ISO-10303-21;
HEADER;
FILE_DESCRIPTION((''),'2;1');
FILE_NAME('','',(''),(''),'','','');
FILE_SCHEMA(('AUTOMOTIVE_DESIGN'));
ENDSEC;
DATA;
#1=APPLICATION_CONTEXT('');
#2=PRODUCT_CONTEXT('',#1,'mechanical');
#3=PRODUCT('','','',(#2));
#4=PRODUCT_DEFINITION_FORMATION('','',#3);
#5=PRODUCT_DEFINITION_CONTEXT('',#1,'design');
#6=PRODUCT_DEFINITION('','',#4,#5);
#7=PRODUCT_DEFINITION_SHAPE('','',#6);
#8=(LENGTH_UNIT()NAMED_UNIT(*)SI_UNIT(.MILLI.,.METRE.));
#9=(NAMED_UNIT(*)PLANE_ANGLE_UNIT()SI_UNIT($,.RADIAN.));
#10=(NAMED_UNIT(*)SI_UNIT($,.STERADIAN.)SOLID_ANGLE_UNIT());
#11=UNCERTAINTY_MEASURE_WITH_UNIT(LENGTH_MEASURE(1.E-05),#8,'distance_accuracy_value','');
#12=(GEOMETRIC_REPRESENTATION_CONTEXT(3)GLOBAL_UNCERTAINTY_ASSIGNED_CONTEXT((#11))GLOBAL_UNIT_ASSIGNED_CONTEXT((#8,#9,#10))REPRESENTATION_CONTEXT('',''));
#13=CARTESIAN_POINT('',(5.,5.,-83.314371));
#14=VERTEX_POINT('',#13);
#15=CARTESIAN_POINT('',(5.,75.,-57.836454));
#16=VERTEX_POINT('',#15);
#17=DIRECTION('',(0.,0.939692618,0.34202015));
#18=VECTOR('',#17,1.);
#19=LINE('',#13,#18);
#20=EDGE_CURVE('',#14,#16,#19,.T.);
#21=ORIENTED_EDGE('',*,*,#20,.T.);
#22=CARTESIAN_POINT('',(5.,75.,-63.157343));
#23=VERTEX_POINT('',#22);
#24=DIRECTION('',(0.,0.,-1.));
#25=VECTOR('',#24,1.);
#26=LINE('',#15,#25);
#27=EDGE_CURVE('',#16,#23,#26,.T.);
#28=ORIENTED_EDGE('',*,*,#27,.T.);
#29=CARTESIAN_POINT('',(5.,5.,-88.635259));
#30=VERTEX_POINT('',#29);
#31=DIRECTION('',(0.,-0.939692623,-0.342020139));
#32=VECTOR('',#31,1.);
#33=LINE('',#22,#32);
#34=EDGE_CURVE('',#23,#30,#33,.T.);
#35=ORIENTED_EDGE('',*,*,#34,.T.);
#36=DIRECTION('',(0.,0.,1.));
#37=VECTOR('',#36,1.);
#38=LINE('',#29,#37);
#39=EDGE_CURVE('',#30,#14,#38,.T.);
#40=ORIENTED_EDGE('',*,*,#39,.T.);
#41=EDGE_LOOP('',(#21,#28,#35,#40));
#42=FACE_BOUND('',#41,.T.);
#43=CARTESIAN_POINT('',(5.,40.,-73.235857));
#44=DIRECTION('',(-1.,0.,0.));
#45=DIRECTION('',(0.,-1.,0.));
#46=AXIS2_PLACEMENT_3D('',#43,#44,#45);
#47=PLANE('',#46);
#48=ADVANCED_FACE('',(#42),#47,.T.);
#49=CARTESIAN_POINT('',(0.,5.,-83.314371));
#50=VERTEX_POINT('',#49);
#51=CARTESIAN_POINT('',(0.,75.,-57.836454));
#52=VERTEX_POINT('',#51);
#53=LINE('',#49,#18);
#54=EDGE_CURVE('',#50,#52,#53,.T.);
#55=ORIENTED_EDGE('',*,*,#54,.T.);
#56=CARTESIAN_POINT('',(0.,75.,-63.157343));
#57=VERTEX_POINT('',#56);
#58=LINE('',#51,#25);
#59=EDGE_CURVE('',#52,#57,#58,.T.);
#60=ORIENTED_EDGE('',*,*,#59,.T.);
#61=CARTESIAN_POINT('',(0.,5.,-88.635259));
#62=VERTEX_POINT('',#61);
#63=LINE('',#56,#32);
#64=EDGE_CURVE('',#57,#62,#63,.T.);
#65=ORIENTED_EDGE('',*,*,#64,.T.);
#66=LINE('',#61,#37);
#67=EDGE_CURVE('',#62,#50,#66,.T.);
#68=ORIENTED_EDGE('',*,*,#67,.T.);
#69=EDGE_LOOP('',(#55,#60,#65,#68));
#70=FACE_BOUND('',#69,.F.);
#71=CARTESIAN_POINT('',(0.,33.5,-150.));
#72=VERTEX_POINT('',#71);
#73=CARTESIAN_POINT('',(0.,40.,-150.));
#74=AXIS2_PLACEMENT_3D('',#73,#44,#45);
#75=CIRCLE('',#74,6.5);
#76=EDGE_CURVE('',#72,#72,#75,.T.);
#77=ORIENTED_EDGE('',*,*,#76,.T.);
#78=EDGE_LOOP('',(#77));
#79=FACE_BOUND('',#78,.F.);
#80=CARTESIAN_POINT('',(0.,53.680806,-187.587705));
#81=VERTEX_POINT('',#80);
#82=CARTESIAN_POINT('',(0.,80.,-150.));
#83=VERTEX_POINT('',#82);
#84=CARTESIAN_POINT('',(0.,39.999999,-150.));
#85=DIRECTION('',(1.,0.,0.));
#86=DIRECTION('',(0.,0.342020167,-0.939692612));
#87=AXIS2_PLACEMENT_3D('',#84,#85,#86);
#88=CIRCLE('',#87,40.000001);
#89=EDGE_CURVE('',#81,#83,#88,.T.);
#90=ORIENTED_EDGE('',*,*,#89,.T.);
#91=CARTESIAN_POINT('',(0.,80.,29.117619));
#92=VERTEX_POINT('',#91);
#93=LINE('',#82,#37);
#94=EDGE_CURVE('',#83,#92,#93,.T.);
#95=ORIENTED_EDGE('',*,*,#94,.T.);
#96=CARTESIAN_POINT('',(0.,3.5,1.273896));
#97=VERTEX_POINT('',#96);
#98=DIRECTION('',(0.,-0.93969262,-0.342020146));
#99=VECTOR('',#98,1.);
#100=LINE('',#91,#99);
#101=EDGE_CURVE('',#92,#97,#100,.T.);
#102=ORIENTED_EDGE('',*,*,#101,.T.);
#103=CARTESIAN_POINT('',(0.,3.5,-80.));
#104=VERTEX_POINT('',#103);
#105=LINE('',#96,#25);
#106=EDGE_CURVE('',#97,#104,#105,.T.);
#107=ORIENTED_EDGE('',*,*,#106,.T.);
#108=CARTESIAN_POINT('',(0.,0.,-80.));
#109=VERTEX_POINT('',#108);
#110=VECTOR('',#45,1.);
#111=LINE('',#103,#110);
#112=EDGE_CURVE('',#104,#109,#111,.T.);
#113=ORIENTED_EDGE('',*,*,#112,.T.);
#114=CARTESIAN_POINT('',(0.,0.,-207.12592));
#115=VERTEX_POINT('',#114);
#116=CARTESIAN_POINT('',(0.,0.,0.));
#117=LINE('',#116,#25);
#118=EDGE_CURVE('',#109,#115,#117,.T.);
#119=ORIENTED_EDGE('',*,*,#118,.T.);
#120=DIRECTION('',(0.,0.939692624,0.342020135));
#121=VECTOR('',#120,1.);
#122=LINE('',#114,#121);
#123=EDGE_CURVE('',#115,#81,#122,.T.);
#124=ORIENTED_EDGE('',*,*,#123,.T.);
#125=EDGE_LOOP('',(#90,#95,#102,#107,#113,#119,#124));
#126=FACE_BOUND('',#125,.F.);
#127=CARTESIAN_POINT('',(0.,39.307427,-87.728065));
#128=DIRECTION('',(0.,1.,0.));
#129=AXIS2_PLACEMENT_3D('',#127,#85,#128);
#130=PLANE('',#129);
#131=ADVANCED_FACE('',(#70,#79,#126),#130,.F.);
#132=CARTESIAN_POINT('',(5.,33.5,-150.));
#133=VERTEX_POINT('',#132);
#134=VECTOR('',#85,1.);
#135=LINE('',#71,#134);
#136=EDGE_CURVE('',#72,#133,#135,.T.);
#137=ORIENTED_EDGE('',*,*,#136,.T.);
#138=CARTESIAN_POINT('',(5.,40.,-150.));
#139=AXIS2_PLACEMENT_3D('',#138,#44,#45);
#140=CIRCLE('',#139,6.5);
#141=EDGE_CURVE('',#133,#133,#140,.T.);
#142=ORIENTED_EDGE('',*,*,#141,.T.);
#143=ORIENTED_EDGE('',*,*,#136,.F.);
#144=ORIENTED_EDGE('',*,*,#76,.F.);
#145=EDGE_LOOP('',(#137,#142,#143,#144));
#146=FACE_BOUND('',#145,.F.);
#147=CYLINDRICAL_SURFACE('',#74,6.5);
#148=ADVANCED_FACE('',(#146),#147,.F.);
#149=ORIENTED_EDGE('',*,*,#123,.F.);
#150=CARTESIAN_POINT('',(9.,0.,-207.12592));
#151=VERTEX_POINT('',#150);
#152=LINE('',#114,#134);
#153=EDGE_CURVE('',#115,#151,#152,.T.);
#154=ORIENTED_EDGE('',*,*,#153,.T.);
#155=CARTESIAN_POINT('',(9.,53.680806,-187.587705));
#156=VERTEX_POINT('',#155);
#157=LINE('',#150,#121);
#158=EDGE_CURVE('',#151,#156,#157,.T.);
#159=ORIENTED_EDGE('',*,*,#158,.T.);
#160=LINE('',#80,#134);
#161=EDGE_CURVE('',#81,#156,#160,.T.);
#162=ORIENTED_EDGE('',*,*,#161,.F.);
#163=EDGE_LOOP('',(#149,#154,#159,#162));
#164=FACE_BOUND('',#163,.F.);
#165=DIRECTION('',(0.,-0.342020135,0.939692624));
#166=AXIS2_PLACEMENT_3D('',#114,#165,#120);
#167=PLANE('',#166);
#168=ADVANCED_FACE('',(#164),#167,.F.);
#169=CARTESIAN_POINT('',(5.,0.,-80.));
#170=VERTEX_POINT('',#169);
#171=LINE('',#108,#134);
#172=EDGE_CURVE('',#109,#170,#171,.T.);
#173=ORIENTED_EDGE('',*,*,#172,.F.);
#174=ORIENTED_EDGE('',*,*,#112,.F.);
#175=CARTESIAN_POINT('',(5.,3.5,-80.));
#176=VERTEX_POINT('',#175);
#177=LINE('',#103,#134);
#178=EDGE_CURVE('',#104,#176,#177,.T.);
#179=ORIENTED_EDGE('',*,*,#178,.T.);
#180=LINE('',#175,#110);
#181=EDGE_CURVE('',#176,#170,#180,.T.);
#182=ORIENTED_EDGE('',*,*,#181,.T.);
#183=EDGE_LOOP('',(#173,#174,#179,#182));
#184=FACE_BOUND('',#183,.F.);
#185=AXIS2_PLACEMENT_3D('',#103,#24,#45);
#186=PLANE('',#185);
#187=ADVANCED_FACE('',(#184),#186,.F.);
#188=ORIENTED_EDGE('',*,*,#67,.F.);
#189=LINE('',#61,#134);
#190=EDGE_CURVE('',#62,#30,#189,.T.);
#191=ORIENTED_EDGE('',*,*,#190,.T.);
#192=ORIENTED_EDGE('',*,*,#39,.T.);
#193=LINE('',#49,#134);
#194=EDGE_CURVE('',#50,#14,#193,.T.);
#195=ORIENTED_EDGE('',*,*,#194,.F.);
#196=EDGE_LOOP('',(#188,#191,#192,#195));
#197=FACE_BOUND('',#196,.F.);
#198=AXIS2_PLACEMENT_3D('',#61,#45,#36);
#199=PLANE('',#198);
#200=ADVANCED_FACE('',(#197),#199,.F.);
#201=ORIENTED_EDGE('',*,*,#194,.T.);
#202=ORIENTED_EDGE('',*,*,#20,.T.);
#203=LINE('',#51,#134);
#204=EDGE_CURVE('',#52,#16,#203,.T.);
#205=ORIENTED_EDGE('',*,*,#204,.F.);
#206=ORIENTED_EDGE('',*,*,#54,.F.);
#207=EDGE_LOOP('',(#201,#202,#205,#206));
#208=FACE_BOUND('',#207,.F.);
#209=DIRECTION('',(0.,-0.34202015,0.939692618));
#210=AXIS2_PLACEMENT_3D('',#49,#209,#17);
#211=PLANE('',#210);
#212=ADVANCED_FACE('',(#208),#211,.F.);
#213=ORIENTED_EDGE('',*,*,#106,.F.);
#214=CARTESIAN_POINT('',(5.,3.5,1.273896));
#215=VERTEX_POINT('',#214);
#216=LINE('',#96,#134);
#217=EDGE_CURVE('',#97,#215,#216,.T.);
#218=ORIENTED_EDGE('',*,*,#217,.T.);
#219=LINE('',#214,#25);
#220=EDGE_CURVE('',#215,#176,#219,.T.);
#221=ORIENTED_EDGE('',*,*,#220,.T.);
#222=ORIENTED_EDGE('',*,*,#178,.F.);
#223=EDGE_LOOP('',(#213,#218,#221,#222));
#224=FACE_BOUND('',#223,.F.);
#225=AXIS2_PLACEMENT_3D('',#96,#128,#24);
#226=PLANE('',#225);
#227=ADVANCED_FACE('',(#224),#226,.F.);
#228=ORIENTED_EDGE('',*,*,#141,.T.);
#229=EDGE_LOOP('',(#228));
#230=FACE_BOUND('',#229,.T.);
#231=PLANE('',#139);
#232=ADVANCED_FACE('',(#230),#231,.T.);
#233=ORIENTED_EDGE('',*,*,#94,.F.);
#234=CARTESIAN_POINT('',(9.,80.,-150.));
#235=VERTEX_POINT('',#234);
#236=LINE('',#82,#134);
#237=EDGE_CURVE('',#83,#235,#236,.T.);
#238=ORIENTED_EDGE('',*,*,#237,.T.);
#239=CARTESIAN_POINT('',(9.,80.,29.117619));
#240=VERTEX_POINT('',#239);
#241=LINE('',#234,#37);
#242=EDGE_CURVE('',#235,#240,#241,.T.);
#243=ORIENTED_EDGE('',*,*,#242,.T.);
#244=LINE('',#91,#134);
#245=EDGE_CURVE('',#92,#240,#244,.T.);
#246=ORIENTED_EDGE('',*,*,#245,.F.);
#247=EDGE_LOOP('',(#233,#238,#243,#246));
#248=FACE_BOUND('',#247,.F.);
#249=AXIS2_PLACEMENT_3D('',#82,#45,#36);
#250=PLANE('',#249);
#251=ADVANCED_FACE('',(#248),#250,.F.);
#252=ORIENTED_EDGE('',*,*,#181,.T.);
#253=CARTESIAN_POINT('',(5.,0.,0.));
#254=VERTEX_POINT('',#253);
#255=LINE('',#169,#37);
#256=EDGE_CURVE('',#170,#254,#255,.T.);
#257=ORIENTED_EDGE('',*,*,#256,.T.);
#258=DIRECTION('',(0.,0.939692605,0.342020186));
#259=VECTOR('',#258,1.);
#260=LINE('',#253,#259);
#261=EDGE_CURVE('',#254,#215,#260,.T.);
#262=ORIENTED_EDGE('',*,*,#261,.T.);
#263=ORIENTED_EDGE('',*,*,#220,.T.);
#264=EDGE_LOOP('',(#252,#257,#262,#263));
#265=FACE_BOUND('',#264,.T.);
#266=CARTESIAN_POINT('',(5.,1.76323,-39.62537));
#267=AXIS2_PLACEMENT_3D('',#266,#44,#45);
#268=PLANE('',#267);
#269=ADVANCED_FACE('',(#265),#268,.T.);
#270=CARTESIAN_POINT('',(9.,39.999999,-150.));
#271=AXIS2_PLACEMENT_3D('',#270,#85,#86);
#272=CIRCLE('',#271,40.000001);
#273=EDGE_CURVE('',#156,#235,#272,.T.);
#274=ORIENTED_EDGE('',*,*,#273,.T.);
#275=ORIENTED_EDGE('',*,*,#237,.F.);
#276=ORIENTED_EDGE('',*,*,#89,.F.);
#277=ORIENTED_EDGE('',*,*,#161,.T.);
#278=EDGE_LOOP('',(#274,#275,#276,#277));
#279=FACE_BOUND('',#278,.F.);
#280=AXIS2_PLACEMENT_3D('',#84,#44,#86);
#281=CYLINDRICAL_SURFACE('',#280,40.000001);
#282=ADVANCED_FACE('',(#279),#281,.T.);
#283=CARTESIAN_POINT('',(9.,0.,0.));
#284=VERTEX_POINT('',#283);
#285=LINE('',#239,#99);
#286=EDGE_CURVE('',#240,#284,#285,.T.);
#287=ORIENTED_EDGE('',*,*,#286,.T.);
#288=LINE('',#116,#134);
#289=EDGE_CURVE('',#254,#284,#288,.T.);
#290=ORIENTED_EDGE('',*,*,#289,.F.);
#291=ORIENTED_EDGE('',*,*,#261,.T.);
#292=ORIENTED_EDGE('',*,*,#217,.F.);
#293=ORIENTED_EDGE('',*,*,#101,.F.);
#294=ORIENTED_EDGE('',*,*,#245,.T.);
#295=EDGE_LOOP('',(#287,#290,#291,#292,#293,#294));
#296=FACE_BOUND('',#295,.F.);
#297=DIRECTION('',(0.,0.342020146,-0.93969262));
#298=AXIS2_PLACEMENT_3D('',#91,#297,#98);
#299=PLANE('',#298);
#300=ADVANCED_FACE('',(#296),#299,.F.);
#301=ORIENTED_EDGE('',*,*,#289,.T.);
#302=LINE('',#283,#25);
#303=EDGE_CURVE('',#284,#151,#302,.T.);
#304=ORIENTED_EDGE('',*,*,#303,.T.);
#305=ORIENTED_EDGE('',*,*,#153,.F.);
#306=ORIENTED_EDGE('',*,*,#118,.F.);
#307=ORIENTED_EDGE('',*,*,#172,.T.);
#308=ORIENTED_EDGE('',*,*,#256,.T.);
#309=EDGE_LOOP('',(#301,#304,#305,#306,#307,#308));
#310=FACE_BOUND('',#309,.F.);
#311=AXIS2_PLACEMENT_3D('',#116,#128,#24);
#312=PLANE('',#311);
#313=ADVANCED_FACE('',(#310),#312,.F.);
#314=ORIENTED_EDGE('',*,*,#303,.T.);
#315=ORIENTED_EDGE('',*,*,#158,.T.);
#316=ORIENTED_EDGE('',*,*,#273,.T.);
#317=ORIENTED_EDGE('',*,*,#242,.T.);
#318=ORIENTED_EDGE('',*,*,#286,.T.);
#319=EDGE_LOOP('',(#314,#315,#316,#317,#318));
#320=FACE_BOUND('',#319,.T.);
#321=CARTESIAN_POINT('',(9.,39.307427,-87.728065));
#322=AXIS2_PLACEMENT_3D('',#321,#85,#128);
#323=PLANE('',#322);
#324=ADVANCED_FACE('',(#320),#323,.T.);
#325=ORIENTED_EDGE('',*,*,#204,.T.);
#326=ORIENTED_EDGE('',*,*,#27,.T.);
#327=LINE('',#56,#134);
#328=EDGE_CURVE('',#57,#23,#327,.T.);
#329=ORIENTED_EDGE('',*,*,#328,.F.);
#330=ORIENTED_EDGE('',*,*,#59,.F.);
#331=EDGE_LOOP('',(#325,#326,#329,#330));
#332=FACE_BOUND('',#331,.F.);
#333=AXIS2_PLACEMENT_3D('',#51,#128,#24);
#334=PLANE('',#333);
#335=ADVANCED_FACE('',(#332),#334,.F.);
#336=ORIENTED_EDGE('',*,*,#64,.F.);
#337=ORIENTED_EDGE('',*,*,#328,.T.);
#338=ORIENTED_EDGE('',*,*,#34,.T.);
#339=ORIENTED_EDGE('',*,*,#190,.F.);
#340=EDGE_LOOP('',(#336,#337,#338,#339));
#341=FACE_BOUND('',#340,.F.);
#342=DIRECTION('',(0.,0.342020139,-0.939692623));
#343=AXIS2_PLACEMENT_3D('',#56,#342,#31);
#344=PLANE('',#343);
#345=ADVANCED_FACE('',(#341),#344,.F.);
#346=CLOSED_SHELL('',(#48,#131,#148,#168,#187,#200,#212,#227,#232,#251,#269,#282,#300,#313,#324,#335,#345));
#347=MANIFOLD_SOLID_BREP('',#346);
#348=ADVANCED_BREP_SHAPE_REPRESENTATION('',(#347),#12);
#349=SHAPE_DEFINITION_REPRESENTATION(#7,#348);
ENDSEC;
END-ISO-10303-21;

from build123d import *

# Parameters (mm, degrees)
F1_DEPTH = 9
F2_R     = 6.5
F3_DEPTH = 5
F5_DEPTH = 5
F7_DEPTH = 5


with BuildPart() as f1:
    # F0 (on Right) → F1 (new body)
    with BuildSketch(Plane.YZ):
        with BuildLine():
            Line((80, 29.117619), (0, 0))
            Line((0, 0), (0, -207.12592))
            Line((0, -207.12592), (53.680806, -187.587705))
            ThreePointArc((53.680806, -187.587705), (72.766082, -172.943057), (80, -150))
            Line((80, -150), (80, 29.117619))
        make_face()
    extrude(amount=F1_DEPTH)

    # F2 (on face) → F3 (cut)
    with BuildSketch(Plane(origin=(0, 0, 0), x_dir=(0, -1, 0), z_dir=(-1, 0, 0))):
        with Locations((-40, -150)):
            Circle(F2_R)
    extrude(amount=-F3_DEPTH, mode=Mode.SUBTRACT)

    # F4 (on face) → F5 (cut)
    with BuildSketch(Plane(origin=(0, 0, 0), x_dir=(0, -1, 0), z_dir=(-1, 0, 0))):
        Polygon((-5, -88.635259), (-5, -83.314371), (-75, -57.836454), (-75, -63.157343), align=None)
    extrude(amount=-F5_DEPTH, mode=Mode.SUBTRACT)

    # F6 (on face) → F7 (cut)
    with BuildSketch(Plane(origin=(0, 0, 0), x_dir=(0, -1, 0), z_dir=(-1, 0, 0))):
        Polygon((0, 0), (-3.5, 1.273896), (-3.5, -80), (0, -80), align=None)
    extrude(amount=-F7_DEPTH, mode=Mode.SUBTRACT)


solid = f1.part
